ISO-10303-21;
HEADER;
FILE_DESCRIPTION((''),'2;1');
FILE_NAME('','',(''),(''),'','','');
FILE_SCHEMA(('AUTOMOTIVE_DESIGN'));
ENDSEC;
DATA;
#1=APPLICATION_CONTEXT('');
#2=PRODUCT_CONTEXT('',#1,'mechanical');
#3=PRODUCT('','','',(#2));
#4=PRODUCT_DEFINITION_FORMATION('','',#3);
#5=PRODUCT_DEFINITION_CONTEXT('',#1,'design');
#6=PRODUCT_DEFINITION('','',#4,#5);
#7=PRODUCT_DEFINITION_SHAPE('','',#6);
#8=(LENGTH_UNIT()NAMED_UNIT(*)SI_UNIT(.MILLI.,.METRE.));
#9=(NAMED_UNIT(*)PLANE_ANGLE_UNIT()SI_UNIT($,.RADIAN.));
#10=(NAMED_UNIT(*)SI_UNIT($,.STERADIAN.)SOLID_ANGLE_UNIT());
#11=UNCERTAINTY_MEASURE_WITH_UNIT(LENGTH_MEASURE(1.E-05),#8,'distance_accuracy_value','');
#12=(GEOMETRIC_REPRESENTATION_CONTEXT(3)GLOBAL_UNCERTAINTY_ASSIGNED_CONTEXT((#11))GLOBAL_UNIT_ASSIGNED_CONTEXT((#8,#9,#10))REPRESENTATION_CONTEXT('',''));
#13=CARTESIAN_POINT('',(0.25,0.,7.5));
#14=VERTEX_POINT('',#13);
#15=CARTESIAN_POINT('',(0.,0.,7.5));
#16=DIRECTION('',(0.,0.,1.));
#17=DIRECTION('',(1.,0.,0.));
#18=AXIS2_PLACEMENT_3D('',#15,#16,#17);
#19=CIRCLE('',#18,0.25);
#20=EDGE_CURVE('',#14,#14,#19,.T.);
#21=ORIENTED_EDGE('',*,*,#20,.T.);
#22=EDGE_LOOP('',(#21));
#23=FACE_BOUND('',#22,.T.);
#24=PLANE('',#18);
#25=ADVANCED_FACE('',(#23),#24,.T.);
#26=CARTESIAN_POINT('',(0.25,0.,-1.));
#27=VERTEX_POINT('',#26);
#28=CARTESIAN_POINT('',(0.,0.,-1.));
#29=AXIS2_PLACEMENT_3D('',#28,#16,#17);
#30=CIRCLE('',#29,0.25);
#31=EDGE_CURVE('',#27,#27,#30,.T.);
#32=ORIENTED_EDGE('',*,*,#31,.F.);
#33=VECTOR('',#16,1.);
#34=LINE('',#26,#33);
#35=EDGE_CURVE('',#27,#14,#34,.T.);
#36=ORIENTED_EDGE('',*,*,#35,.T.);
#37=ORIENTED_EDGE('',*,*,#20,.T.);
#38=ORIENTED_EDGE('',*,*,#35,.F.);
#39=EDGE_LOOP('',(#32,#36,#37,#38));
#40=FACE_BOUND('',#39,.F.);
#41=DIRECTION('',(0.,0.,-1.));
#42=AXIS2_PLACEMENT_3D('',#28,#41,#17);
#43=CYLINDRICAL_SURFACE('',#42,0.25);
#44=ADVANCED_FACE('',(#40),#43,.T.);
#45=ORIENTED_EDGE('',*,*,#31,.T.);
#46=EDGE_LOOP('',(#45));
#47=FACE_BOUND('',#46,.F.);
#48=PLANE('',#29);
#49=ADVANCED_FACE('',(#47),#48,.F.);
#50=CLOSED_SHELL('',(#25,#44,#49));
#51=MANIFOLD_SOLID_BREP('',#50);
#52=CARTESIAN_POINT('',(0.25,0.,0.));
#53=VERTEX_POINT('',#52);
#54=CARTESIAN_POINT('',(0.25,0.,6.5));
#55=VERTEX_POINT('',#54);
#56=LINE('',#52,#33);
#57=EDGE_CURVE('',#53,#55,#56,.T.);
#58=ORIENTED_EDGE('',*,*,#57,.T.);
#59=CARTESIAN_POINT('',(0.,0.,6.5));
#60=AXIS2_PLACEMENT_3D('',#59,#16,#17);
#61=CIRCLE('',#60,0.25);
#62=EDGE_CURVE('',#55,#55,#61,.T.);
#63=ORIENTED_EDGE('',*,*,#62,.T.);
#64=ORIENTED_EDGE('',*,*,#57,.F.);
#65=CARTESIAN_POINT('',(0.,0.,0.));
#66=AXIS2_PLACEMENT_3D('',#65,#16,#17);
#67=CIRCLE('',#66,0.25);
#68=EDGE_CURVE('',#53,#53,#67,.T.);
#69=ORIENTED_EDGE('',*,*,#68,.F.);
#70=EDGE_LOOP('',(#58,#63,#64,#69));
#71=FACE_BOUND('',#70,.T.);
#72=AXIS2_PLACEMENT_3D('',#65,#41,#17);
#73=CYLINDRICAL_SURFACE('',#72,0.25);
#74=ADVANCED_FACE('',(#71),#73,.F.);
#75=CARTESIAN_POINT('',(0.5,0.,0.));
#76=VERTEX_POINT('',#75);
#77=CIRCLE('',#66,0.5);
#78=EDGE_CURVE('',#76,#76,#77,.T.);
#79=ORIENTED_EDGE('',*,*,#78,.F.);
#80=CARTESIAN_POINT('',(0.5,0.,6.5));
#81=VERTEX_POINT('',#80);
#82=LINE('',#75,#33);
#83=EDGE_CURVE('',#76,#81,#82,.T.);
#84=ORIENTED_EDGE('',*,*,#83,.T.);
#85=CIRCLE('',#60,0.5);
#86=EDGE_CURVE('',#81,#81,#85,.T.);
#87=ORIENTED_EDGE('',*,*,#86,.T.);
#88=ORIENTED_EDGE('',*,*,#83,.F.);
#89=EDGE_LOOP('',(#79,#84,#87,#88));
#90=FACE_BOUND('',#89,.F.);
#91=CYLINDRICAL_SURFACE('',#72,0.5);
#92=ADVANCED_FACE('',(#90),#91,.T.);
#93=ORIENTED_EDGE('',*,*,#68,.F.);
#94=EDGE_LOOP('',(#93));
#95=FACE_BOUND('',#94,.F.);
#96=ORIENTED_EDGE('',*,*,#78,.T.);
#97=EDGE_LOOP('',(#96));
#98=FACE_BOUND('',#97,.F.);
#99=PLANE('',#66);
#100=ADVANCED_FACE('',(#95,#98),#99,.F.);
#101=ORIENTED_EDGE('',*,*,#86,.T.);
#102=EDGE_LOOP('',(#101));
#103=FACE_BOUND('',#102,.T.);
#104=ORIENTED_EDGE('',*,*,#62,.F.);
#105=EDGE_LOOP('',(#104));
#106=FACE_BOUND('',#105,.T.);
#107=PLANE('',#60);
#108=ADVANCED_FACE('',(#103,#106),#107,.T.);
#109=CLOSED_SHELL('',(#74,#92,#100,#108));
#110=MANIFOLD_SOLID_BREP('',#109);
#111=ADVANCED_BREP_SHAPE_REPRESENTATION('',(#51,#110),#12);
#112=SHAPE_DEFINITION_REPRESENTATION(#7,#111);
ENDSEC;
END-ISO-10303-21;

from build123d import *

# Parameters (mm, degrees)
TUBE_R         = 0.5
TUBE_R_2       = 0.25
TUBE_DEPTH     = 6.5
CYLINDER_R     = 0.25
CYLINDER_DEPTH = 8.5


with BuildPart() as tube:
    # Tube → Tube (new body)
    with BuildSketch(Plane.XY):
        Circle(TUBE_R)
        Circle(TUBE_R_2, mode=Mode.SUBTRACT)
    extrude(amount=TUBE_DEPTH)


with BuildPart() as cylinder:
    # Cylinder → Cylinder (new body)
    with BuildSketch(Plane.XY.offset(-1)):
        Circle(CYLINDER_R)
    extrude(amount=CYLINDER_DEPTH)


solid = Compound([tube.part, cylinder.part])
